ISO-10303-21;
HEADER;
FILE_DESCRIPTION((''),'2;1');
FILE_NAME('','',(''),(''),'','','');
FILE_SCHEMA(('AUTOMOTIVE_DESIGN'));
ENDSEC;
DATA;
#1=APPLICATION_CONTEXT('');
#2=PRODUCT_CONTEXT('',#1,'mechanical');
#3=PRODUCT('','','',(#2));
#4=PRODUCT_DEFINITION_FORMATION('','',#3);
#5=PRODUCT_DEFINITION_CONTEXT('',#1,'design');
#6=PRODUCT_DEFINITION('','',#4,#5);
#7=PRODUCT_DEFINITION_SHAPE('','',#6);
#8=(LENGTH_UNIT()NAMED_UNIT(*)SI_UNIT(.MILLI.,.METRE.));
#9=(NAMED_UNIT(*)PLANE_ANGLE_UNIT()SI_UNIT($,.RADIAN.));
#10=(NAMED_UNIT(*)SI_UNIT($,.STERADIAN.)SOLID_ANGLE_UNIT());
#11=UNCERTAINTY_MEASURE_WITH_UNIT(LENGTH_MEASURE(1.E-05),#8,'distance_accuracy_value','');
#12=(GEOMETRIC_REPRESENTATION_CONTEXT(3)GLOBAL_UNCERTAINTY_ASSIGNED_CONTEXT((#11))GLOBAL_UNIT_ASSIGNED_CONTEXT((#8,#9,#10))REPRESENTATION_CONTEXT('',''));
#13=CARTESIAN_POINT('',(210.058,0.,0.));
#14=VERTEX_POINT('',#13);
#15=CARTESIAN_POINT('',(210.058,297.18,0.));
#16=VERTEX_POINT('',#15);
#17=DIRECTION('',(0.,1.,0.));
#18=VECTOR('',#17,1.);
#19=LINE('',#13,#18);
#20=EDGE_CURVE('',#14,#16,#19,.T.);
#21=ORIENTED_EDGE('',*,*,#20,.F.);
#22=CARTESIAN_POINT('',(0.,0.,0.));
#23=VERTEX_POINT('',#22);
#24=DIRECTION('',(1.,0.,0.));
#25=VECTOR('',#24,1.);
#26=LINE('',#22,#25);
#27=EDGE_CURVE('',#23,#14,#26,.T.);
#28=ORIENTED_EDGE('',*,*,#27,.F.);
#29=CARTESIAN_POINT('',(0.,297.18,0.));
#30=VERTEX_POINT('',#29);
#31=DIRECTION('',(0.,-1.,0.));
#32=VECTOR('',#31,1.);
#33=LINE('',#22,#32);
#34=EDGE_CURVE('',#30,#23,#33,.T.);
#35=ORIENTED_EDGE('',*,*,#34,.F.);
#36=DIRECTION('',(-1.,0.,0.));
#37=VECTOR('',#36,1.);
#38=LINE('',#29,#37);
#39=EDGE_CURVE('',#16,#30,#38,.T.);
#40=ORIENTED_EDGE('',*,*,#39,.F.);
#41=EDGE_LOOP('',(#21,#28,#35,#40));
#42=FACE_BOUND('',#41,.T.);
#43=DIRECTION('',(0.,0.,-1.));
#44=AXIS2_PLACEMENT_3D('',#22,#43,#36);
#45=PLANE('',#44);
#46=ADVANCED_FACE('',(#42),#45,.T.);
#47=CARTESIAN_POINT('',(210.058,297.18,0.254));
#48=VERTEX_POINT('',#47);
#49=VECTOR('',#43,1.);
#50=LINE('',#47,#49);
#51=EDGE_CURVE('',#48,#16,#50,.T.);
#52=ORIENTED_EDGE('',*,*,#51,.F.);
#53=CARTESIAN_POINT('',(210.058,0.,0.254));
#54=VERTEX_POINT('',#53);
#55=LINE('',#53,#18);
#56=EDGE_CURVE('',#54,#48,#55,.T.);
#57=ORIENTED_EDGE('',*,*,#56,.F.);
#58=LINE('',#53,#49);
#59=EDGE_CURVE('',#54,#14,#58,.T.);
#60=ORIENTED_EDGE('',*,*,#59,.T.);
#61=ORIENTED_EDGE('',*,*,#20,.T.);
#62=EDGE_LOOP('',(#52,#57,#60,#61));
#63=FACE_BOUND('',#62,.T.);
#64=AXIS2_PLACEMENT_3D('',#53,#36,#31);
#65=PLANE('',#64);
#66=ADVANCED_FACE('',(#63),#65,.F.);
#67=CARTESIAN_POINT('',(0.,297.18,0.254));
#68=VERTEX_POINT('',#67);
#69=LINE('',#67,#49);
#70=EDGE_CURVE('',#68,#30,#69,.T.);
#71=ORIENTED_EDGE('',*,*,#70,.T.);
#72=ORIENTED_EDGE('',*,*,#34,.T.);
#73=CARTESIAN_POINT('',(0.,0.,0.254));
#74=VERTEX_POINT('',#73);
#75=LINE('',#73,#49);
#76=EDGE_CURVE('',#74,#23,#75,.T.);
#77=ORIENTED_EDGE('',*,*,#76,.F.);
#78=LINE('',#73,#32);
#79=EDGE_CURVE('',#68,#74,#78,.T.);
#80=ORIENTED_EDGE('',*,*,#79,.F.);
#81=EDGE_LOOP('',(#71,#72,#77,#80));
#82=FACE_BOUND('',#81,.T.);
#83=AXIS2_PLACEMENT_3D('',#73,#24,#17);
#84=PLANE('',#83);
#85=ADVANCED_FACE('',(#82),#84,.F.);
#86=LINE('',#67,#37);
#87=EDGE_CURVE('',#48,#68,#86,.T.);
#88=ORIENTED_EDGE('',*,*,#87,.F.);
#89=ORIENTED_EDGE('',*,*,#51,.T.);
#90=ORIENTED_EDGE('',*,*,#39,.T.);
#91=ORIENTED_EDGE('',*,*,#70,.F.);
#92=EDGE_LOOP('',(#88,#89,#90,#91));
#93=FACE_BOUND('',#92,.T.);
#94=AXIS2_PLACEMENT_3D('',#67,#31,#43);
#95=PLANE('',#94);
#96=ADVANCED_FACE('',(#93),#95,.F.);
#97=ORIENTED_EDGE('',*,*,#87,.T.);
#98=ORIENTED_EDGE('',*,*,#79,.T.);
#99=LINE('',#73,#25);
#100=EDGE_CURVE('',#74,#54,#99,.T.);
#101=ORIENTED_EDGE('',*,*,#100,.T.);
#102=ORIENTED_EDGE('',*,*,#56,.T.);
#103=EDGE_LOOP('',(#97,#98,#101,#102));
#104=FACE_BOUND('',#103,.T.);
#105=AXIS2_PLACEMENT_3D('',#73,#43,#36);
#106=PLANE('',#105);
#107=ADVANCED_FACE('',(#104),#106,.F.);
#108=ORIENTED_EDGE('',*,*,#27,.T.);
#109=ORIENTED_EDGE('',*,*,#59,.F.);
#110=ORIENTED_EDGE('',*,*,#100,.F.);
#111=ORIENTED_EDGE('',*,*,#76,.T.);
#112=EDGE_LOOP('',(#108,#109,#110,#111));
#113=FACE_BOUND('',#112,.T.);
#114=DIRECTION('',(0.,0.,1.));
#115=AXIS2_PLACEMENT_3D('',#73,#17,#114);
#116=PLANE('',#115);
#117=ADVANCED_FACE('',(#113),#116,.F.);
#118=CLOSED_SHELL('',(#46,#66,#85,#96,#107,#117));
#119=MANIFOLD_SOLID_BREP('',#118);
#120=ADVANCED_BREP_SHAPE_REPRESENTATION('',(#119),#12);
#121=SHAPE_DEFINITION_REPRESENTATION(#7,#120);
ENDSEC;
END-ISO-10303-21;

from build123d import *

# Parameters (mm, degrees)
SKETCH1_W           = 210.058
SKETCH1_H           = 297.18
BOSS_EXTRUDE1_DEPTH = 0.254


with BuildPart() as part:
    # Sketch1 → Boss-Extrude1 (new body)
    with BuildSketch(Plane.XY):
        with Locations((105.029, 148.59)):
            Rectangle(SKETCH1_W, SKETCH1_H)
    extrude(amount=BOSS_EXTRUDE1_DEPTH)


solid = part.part
